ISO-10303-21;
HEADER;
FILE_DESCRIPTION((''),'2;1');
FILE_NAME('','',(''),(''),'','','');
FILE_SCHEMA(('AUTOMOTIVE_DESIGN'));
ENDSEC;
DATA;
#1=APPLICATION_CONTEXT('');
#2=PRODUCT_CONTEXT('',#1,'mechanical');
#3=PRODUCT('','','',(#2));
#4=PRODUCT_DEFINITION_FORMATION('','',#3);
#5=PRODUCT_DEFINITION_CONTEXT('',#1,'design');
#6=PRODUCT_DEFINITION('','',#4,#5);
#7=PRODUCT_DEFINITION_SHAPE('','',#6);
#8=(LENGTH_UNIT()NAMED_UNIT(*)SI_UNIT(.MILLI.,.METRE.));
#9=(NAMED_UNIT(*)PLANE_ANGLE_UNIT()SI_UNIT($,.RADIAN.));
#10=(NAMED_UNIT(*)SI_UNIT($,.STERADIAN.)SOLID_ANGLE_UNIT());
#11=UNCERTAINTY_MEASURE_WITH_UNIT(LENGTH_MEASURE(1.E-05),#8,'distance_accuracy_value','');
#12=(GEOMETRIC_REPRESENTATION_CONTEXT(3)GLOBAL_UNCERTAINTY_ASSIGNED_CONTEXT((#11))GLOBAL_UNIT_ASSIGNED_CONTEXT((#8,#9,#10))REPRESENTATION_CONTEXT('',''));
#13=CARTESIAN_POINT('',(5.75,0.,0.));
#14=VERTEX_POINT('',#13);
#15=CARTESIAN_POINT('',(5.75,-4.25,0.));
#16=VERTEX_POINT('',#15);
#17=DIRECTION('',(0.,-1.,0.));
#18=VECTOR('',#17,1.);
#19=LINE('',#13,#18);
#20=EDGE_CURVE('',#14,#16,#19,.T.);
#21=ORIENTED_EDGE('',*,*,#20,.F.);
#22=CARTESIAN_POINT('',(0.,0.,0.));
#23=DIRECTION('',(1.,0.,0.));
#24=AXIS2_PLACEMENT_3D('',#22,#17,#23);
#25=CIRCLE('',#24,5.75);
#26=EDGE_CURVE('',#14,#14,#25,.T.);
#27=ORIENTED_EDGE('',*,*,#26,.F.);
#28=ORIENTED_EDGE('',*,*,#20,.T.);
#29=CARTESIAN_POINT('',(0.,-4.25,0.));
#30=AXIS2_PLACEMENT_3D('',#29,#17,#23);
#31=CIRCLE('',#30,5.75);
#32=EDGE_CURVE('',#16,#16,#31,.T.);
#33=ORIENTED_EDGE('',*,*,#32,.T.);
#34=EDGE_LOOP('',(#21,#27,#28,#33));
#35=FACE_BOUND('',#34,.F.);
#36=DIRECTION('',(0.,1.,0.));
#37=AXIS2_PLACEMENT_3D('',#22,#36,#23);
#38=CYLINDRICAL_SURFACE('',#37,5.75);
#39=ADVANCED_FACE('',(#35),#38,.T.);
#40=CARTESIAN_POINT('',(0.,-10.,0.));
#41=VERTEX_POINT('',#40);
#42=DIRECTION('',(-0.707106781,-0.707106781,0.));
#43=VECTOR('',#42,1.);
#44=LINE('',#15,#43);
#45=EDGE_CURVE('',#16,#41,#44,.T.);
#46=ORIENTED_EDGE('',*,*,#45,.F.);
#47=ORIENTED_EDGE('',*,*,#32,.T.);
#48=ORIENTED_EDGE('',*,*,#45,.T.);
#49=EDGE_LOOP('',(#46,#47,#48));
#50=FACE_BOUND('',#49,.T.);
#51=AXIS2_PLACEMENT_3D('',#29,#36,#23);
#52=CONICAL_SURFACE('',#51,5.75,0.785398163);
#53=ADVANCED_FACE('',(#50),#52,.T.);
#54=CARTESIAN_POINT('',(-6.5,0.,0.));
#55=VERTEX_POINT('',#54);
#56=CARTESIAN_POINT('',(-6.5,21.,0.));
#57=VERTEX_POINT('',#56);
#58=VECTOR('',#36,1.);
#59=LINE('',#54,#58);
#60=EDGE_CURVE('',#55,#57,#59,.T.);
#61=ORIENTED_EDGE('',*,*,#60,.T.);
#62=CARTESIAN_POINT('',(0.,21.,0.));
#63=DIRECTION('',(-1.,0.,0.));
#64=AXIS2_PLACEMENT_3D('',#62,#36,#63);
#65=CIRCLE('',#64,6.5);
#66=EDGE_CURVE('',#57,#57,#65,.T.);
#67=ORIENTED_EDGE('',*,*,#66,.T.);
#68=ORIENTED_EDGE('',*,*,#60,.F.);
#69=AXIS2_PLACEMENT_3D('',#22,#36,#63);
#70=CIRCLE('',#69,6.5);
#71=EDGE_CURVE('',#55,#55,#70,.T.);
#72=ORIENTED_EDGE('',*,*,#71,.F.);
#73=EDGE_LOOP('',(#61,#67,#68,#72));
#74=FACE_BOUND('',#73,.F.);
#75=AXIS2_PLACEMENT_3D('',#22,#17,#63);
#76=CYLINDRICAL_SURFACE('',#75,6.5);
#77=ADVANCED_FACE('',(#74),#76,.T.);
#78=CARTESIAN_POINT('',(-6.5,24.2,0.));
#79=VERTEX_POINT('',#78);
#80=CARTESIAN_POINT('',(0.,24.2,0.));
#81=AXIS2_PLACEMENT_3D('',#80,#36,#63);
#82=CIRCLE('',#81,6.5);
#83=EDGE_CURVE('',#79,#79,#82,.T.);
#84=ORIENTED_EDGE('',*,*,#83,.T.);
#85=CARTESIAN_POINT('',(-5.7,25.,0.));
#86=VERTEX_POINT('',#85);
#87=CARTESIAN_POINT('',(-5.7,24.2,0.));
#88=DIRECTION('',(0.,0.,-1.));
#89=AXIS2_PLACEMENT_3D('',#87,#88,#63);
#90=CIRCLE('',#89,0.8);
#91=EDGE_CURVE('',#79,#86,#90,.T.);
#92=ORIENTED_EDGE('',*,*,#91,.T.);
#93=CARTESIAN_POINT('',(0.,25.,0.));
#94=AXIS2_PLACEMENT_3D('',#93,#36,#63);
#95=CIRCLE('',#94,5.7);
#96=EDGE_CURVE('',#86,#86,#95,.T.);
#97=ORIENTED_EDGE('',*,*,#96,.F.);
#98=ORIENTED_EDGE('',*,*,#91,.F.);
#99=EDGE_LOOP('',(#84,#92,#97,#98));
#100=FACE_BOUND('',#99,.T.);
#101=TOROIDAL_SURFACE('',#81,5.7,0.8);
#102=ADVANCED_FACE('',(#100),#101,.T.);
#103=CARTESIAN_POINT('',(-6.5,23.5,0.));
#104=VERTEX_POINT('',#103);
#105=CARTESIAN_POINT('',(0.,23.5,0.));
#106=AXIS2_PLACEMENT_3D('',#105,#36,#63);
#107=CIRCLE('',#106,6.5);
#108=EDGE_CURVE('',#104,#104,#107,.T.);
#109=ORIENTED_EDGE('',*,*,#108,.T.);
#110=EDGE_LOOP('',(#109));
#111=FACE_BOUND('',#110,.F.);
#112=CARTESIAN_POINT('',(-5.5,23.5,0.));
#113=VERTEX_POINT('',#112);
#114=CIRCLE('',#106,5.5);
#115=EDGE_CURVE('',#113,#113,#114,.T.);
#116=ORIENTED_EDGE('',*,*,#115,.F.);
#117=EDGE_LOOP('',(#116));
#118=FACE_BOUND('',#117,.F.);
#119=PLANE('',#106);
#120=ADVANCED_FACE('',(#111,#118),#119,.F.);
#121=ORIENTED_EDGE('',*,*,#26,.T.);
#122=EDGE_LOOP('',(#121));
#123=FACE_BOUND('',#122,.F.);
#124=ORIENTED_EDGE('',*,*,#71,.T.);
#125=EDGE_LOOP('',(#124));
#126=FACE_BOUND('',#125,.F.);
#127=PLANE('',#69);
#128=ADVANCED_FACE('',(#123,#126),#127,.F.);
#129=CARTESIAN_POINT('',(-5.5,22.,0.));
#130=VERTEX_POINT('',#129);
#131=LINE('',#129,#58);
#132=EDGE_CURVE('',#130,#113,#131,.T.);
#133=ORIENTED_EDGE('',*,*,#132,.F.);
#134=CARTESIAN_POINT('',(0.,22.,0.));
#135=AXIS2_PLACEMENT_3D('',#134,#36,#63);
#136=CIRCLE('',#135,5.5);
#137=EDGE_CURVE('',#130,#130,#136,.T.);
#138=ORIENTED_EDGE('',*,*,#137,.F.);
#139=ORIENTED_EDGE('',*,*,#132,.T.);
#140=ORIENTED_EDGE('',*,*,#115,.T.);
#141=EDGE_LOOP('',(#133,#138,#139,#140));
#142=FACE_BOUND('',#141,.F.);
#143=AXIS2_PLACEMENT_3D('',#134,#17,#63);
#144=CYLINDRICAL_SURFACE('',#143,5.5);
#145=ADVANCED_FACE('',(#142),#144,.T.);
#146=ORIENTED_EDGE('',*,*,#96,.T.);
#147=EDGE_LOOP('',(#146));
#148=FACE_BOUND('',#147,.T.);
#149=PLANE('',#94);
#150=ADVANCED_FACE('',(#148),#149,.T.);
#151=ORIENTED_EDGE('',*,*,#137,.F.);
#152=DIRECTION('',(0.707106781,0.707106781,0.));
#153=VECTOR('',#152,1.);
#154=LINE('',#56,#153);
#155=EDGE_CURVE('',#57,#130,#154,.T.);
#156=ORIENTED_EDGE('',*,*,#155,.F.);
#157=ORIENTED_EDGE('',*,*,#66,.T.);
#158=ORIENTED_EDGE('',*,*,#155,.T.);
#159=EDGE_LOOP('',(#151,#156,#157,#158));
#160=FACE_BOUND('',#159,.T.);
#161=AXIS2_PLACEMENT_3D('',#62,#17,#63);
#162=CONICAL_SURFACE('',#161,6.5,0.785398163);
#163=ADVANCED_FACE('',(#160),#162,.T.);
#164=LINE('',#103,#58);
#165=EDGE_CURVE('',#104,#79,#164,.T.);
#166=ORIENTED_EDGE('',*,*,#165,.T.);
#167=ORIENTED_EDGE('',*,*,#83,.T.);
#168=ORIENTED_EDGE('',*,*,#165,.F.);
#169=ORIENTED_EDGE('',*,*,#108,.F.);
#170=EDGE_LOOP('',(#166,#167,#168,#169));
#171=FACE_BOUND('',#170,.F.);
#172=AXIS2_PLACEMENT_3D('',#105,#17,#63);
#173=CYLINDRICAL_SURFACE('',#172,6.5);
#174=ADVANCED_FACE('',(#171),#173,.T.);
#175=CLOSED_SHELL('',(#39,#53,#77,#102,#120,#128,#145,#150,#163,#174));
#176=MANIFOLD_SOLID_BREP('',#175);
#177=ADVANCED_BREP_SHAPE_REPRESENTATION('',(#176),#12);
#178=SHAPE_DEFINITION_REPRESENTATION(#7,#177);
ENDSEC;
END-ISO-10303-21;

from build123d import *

# Parameters (mm, degrees)
F0_R     = 5.75
F1_DEPTH = 10
F2_SIZE  = 5.75
F3_R     = 6.5
F4_DEPTH = 22
F5_SIZE  = 1
F6_R     = 5.5
F7_DEPTH = 1.5
F8_R     = 6.5
F9_DEPTH = 1.5
F10_R    = 0.8


with BuildPart() as f1:
    # F0 (on Front) → F1 (new body)
    with BuildSketch(Plane.XZ):
        Circle(F0_R)
    extrude(amount=F1_DEPTH)

    # F2
    f2_edges = [f1.edges().sort_by_distance(p)[0] for p in [
        (-5.75, -10, 0),
    ]]
    chamfer(f2_edges, length=F2_SIZE)

    # F3 (on face) → F4 (join)
    with BuildSketch(Plane(origin=(0, 0, 0), x_dir=(-1, 0, 0), z_dir=(0, 1, 0))):
        Circle(F3_R)
    extrude(amount=F4_DEPTH)

    # F5
    f5_edges = [f1.edges().sort_by_distance(p)[0] for p in [
        (6.5, 22, 0),
    ]]
    chamfer(f5_edges, length=F5_SIZE)

    # F6 (on face) → F7 (join)
    with BuildSketch(Plane(origin=(0, 22, 0), x_dir=(-1, 0, 0), z_dir=(0, 1, 0))):
        Circle(F6_R)
    extrude(amount=F7_DEPTH)

    # F8 (on face) → F9 (join)
    with BuildSketch(Plane(origin=(0, 23.5, 0), x_dir=(-1, 0, 0), z_dir=(0, 1, 0))):
        Circle(F8_R)
    extrude(amount=F9_DEPTH)

    # F10
    f10_edges = [f1.edges().sort_by_distance(p)[0] for p in [
        (6.5, 25, 0),
    ]]
    fillet(f10_edges, radius=F10_R)


solid = f1.part
